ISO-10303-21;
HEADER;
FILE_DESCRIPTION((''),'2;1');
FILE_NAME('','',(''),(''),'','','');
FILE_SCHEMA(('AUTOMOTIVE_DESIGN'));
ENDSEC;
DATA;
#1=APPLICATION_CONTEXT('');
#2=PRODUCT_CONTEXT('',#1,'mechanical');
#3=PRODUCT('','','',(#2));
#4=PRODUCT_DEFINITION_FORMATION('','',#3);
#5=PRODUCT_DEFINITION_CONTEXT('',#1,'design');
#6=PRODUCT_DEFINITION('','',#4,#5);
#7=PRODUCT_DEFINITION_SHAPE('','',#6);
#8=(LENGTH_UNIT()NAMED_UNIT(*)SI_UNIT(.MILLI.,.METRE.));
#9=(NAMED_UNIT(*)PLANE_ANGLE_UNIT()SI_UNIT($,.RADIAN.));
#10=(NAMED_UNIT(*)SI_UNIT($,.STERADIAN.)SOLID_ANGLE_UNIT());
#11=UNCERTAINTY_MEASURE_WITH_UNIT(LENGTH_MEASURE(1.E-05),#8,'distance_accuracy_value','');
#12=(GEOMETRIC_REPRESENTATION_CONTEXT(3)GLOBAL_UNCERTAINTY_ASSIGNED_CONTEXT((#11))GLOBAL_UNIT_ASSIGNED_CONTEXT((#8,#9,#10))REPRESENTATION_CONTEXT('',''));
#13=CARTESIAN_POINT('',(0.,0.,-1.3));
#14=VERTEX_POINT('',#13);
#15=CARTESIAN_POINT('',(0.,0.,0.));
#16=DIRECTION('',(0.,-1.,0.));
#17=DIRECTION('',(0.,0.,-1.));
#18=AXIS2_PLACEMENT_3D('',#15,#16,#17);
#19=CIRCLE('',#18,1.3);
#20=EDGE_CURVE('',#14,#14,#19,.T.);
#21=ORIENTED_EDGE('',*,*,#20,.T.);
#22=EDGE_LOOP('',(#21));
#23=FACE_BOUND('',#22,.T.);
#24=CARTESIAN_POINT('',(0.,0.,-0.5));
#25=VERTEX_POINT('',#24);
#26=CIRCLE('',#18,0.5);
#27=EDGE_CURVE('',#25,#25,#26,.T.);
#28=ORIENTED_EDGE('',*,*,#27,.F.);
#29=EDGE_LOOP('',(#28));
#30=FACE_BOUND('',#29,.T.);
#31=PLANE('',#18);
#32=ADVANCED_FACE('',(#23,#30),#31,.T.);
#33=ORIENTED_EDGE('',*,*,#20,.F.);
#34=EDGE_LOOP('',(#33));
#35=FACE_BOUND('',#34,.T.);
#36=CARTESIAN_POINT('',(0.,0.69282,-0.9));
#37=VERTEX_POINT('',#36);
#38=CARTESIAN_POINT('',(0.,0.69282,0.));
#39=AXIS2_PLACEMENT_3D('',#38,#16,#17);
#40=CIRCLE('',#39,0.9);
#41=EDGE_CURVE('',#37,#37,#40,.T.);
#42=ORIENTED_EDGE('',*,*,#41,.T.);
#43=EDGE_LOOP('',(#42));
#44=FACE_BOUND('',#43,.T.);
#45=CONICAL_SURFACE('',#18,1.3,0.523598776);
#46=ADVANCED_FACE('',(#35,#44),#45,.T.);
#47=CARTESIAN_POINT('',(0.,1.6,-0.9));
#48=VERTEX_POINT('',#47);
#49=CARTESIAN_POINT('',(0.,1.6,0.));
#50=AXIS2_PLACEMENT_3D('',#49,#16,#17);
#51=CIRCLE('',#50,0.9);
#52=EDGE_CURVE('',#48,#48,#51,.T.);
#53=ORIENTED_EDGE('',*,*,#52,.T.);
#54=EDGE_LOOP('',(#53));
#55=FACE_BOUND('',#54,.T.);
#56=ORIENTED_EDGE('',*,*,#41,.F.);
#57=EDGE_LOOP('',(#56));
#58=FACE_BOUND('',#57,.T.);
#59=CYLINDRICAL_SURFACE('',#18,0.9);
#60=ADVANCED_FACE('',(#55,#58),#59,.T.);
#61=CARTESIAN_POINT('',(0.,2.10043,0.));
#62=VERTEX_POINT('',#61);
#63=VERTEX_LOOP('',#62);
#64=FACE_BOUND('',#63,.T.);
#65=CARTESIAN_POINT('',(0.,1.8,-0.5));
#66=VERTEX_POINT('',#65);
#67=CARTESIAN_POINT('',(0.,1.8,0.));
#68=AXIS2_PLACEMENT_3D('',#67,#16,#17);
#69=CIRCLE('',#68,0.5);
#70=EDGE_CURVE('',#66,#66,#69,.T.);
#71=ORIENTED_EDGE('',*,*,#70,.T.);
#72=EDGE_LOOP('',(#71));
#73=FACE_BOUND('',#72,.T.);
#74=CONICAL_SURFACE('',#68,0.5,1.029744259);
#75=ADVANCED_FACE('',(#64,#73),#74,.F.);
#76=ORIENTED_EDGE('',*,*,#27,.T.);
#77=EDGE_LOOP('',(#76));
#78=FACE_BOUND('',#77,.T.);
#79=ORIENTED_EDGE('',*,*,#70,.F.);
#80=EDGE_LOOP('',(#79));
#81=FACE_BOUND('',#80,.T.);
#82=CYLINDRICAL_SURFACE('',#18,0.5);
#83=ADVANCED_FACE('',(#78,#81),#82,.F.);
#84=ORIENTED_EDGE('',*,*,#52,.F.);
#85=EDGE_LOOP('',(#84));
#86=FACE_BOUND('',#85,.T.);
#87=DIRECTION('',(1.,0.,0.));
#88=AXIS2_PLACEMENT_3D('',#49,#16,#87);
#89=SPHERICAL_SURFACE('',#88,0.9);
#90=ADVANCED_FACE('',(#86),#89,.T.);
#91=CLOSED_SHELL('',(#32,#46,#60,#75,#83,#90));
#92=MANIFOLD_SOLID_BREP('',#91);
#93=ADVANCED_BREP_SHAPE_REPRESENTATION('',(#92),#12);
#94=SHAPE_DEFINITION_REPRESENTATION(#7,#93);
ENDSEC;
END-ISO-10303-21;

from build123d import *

# Parameters (mm, degrees)
F_1_0_1_DIAMETER_HOLE1_D     = 1
F_1_0_1_DIAMETER_HOLE1_DEPTH = 1.8
F_1_0_1_DIAMETER_HOLE1_TIP   = 0.30043031


with BuildPart() as part:
    # Sketch1 → Revolve1 (revolve)
    with BuildSketch(Plane.XY):
        with BuildLine():
            Line((1.3, 0), (0.9, 0.692820323))
            Line((0.9, 0.692820323), (0.9, 1.6))
            ThreePointArc((0.9, 1.6), (0.636396103, 2.236396103), (0, 2.5))
            Line((0, 2.5), (0, 0))
            Line((0, 0), (1.3, 0))
        make_face()
    revolve(axis=Axis((0, 0, 0), (0, 1, 0)))

    # Ø1.0 (1) Diameter Hole1
    with Locations(Plane(origin=(0, 0, 0), x_dir=(-1, 0, 0), z_dir=(0, -1, 0))):
        with Locations((0, 0)):
            Hole(F_1_0_1_DIAMETER_HOLE1_D / 2, depth=F_1_0_1_DIAMETER_HOLE1_DEPTH)
            with Locations((0, 0, -(F_1_0_1_DIAMETER_HOLE1_DEPTH + F_1_0_1_DIAMETER_HOLE1_TIP / 2))):  # 118° drill point
                Cone(0, F_1_0_1_DIAMETER_HOLE1_D / 2, F_1_0_1_DIAMETER_HOLE1_TIP, mode=Mode.SUBTRACT)


solid = part.part
